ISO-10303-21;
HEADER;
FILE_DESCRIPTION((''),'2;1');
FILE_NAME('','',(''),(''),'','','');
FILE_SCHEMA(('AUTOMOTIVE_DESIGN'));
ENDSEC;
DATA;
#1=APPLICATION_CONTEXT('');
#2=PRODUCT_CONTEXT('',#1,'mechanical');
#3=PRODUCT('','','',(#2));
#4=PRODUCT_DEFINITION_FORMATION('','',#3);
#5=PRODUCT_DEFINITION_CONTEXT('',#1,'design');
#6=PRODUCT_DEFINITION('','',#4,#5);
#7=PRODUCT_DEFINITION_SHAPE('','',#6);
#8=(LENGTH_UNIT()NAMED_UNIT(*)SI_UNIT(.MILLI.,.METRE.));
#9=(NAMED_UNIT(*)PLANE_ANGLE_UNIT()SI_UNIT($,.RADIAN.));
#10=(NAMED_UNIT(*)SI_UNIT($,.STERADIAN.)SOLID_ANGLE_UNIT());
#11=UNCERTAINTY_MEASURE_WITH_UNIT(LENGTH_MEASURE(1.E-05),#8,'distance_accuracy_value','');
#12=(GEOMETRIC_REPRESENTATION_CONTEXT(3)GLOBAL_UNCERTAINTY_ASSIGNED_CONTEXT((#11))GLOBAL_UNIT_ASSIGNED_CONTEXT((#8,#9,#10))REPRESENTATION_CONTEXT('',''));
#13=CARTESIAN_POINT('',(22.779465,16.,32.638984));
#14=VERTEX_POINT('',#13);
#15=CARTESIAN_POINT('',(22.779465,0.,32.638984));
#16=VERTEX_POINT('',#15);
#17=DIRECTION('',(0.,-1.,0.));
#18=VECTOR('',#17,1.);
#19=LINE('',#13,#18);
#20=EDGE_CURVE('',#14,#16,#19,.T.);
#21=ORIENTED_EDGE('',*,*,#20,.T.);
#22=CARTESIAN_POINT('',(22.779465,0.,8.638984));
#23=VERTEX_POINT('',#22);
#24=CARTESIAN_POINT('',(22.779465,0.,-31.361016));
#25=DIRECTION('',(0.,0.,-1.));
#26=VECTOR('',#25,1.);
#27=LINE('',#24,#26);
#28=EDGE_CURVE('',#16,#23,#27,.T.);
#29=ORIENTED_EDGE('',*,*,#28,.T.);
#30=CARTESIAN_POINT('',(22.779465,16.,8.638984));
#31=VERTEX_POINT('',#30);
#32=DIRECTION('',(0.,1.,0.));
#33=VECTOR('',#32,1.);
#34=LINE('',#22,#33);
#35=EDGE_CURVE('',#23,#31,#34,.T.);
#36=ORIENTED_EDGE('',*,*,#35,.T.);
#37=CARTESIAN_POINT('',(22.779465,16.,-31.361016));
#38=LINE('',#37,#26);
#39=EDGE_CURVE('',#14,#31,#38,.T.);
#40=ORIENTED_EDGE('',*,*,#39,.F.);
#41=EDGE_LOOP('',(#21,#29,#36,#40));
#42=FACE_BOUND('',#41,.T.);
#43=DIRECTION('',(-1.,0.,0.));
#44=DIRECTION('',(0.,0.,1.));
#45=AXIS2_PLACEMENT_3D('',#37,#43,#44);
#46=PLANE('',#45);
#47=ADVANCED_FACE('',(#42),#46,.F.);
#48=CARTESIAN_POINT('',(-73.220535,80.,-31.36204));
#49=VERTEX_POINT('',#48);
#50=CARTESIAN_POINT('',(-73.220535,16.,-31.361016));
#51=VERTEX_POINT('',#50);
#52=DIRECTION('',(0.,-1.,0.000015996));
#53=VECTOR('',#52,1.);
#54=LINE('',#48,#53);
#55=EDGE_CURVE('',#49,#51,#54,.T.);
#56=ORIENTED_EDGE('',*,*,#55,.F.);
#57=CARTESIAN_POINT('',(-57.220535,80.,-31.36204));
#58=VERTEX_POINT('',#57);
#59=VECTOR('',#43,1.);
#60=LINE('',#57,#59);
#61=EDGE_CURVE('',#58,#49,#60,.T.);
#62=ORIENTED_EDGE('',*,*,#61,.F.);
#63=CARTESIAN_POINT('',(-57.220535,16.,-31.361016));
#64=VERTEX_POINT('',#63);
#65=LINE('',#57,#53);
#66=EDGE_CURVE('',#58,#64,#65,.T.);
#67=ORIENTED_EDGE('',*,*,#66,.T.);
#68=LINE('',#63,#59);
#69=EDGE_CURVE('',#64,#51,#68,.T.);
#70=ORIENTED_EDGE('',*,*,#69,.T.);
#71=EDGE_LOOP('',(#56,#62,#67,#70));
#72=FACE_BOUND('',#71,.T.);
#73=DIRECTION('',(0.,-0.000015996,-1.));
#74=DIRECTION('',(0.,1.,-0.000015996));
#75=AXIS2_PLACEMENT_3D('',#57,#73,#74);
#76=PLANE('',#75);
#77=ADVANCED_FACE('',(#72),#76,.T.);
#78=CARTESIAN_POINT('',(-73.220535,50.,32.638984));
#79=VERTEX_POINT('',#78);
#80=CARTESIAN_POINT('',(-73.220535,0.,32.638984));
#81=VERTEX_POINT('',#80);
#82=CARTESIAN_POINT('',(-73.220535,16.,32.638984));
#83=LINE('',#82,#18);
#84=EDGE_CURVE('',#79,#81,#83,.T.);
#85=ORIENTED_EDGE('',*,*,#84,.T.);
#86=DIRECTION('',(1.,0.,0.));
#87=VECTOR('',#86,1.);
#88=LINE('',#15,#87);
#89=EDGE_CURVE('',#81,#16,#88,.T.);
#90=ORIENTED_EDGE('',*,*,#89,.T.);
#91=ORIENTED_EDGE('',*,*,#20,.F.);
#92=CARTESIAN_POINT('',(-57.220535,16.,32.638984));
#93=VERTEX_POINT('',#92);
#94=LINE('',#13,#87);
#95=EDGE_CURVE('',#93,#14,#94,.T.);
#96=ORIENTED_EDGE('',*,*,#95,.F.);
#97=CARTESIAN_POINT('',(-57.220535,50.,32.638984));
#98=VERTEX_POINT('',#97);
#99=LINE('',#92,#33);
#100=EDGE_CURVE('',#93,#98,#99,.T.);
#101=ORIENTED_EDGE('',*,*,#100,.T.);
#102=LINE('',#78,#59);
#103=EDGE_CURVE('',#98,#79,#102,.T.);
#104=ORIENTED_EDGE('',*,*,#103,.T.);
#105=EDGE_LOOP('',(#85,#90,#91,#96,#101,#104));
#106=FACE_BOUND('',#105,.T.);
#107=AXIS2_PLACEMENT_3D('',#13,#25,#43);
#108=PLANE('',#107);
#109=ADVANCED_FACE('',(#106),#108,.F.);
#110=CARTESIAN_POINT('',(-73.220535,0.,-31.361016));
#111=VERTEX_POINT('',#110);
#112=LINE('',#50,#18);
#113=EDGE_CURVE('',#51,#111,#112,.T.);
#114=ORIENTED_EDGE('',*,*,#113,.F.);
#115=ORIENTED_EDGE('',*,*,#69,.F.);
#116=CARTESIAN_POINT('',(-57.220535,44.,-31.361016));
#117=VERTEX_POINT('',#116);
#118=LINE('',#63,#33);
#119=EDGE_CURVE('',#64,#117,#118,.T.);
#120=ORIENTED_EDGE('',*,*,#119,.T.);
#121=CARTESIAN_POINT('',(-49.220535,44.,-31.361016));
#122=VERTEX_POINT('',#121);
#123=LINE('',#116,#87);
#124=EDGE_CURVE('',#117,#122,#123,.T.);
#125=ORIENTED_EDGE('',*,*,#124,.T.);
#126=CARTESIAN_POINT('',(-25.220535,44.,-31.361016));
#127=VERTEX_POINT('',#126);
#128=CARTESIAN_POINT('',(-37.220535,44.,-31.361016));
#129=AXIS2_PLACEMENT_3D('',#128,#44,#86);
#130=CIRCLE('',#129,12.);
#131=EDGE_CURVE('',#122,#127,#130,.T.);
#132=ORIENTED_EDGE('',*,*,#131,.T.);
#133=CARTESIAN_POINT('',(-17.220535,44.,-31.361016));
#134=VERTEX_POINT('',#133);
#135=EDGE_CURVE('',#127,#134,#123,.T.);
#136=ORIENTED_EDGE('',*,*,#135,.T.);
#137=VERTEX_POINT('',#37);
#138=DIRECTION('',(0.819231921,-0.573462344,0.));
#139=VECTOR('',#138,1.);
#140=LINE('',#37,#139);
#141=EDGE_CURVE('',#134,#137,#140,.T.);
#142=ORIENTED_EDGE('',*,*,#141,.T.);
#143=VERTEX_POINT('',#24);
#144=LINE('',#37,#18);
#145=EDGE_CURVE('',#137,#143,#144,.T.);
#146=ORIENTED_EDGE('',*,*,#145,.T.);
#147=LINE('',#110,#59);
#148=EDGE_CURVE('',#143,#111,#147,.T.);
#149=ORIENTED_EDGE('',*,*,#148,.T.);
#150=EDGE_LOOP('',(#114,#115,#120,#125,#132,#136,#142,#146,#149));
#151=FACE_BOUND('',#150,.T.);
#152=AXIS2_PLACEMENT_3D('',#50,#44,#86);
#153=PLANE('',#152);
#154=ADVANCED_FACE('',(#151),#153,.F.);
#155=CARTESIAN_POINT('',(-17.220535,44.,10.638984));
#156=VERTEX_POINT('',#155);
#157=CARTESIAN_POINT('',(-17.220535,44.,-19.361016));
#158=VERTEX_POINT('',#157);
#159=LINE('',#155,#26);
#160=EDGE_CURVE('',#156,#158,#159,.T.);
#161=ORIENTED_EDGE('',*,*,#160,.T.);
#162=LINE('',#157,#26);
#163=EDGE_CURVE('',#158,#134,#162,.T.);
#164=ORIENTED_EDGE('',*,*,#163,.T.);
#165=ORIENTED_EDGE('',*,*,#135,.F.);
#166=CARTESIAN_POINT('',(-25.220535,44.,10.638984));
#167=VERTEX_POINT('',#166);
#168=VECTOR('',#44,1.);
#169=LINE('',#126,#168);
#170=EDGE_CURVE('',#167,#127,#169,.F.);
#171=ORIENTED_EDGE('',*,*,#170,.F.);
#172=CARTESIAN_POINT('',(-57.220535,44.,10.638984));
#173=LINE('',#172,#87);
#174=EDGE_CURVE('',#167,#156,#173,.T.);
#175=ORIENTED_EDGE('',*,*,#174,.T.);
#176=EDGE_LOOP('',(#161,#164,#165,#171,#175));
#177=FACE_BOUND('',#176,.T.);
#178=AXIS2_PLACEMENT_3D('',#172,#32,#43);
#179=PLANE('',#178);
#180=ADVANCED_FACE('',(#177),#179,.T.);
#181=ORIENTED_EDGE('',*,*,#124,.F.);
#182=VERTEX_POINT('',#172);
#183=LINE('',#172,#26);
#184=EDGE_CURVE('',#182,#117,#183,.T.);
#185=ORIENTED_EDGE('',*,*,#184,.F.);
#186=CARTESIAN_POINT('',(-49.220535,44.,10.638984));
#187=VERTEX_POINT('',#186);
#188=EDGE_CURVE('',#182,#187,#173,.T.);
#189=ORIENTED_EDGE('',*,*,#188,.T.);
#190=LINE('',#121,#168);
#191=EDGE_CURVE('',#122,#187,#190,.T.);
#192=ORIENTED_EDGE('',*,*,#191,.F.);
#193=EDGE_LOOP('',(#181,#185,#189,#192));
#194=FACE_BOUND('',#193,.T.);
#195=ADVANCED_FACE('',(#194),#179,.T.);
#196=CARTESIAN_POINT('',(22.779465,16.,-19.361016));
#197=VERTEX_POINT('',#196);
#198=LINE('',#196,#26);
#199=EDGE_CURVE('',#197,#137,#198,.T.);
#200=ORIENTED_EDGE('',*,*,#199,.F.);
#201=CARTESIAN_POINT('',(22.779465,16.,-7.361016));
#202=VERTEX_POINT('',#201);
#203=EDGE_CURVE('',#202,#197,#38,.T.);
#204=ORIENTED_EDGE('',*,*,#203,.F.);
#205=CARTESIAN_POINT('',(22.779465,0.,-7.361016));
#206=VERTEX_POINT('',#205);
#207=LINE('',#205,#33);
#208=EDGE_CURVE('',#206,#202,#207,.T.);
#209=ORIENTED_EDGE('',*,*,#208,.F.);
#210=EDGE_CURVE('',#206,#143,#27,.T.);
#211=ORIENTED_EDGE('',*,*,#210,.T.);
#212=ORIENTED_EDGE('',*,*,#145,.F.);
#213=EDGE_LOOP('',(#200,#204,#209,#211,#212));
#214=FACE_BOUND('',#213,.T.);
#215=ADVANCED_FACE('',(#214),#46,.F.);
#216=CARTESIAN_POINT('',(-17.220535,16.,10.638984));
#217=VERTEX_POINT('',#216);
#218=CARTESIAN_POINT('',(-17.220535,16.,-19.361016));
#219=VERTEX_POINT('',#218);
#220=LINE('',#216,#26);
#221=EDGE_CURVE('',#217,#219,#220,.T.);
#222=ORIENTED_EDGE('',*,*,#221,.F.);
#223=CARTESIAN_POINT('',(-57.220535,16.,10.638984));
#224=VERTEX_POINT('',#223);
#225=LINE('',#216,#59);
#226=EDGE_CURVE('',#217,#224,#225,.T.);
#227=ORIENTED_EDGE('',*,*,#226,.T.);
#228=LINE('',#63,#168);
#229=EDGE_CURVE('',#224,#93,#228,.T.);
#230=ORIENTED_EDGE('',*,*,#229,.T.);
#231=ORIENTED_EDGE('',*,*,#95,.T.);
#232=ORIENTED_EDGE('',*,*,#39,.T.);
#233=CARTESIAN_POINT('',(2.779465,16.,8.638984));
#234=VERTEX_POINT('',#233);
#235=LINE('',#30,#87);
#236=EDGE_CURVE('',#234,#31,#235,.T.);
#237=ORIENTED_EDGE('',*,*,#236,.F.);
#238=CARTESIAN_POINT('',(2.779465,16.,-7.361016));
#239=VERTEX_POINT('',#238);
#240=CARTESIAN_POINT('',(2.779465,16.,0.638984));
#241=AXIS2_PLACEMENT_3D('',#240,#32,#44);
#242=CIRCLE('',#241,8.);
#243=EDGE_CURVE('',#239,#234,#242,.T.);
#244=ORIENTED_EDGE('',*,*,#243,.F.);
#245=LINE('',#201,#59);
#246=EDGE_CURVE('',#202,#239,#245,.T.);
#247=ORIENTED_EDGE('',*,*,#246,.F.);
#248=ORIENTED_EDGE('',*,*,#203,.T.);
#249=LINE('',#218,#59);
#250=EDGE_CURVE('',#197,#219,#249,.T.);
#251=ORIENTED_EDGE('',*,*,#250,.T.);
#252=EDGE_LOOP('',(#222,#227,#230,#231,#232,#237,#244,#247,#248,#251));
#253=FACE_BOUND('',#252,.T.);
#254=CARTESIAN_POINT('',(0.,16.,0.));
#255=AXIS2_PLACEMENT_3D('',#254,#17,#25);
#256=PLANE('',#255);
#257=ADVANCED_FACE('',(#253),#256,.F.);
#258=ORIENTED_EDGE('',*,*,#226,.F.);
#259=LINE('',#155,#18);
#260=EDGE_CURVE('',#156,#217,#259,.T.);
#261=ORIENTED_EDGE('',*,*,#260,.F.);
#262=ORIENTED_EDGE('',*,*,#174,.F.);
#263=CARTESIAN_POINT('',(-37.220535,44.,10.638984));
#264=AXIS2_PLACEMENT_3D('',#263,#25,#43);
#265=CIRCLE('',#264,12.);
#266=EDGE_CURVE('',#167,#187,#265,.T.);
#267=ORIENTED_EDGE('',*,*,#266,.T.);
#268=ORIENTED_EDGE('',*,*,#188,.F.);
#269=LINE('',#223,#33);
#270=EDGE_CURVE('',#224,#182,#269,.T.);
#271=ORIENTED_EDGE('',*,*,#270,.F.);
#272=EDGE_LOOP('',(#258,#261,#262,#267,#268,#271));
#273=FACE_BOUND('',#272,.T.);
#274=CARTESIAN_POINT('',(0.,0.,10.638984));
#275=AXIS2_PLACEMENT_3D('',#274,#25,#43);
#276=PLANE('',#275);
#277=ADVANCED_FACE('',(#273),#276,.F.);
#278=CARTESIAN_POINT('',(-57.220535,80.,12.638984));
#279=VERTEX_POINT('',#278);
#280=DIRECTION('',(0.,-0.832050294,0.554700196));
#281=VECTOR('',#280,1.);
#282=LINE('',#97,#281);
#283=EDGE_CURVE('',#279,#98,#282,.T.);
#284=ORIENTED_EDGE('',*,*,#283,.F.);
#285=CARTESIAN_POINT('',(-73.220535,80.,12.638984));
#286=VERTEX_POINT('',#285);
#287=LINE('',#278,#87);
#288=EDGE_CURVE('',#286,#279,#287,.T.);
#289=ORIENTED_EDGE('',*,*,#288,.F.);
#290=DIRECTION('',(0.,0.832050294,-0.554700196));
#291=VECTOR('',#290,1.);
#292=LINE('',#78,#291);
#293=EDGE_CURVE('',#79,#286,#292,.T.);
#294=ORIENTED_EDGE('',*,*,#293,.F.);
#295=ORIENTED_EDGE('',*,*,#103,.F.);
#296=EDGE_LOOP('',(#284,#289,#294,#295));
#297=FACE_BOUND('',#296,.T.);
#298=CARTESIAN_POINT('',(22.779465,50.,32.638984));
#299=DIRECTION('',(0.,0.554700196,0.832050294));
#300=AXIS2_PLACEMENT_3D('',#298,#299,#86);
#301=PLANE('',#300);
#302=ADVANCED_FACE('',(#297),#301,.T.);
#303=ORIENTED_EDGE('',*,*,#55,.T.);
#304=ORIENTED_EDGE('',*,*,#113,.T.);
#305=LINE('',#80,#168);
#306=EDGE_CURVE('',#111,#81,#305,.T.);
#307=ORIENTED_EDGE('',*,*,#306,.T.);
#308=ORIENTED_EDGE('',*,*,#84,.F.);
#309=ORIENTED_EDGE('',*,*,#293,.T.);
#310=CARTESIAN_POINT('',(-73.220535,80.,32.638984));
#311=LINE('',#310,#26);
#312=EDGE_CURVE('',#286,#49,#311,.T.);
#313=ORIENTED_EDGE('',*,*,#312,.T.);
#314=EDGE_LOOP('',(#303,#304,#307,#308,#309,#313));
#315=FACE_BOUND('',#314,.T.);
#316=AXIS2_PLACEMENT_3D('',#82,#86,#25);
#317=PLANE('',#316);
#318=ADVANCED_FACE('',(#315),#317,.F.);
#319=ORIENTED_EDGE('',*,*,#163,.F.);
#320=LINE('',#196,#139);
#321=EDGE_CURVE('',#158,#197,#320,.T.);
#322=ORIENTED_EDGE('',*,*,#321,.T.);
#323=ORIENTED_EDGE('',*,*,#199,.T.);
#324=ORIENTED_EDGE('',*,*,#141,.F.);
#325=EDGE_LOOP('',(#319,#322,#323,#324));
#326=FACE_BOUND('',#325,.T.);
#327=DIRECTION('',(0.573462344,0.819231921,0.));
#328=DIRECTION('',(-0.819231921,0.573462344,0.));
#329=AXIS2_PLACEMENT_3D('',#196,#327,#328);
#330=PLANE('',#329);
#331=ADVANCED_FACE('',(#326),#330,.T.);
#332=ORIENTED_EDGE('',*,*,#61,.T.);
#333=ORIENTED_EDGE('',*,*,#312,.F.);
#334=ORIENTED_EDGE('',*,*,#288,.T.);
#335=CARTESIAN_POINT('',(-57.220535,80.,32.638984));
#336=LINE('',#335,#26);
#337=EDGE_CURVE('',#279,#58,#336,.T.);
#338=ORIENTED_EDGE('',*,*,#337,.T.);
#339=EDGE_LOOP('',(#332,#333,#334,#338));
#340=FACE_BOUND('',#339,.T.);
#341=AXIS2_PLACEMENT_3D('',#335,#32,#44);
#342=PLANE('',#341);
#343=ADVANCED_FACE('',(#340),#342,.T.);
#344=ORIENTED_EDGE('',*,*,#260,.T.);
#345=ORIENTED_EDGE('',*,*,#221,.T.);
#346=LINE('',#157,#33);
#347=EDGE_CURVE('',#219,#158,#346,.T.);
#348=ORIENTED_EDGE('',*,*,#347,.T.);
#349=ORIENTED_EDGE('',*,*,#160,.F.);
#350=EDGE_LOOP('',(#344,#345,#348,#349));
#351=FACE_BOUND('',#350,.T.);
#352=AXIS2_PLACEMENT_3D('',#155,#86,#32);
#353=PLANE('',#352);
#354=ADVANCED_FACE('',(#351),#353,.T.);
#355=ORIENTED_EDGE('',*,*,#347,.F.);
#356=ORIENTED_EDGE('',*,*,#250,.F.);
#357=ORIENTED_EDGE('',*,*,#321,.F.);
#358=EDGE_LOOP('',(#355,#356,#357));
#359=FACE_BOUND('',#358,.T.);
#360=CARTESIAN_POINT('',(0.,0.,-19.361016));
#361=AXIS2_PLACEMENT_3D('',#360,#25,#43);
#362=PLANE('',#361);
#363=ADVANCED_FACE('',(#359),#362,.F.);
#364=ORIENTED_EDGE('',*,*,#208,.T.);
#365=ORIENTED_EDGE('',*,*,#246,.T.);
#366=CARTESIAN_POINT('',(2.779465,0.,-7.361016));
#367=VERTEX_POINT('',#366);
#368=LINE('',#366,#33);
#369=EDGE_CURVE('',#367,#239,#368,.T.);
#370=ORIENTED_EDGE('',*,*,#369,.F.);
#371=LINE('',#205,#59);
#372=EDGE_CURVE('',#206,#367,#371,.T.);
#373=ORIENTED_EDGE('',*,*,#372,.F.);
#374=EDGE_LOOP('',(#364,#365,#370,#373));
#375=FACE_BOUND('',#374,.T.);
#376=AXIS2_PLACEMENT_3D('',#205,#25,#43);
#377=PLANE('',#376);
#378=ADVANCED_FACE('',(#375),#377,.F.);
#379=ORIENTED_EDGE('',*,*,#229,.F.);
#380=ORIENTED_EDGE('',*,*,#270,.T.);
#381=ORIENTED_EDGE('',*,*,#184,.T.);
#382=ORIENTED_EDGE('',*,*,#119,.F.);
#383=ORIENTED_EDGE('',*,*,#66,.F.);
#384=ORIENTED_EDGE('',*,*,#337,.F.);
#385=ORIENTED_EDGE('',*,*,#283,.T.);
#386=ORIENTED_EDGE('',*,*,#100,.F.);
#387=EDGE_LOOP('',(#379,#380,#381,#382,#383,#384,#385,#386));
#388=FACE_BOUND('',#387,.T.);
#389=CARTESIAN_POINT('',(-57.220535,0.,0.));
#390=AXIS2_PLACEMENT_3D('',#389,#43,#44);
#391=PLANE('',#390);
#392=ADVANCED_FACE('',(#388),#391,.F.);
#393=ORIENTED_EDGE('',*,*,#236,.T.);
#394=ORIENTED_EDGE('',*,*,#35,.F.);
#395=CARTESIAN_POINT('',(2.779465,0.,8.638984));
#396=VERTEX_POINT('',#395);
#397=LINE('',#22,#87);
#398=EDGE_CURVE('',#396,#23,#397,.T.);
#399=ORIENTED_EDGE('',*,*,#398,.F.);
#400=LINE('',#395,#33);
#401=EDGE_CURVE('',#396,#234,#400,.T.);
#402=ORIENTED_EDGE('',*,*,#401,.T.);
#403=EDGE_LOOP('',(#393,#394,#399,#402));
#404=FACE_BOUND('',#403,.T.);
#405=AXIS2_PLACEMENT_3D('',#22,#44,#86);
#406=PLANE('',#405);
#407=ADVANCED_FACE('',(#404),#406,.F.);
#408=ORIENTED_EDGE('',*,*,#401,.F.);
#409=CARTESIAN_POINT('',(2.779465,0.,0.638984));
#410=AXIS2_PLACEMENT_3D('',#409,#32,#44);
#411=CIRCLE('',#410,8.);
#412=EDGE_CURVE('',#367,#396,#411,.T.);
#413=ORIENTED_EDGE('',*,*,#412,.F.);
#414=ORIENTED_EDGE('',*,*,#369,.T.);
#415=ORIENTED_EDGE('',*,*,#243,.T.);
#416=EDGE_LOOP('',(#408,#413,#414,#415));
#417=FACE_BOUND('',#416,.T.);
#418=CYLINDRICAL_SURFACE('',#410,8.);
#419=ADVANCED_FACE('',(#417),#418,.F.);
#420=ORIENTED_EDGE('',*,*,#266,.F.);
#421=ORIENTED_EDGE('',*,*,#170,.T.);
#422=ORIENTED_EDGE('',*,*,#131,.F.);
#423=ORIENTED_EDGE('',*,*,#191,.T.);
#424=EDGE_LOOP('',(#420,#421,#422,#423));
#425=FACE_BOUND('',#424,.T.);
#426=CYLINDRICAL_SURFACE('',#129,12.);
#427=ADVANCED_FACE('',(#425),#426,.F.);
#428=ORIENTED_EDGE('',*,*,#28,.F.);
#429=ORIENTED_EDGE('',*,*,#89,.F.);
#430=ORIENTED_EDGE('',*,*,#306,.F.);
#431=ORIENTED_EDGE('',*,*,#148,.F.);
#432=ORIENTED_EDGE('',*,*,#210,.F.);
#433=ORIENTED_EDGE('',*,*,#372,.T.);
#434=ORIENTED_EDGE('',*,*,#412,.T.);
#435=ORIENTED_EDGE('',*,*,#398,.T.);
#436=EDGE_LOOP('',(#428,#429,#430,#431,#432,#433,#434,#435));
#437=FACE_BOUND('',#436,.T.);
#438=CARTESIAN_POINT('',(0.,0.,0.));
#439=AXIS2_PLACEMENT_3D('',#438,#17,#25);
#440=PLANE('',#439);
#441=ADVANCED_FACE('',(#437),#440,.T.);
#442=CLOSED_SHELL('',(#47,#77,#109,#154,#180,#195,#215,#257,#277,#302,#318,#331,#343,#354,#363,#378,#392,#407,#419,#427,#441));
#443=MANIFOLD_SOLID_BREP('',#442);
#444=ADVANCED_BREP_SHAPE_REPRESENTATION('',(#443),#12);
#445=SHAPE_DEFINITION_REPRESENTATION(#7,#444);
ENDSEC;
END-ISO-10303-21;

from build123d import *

# Parameters (mm, degrees)
SKETCH1_W           = 96
SKETCH1_H           = 64
BOSS_EXTRUDE1_DEPTH = 16
CUT_EXTRUDE1_DEPTH  = 16
BOSS_EXTRUDE2_DEPTH = 16
CHAMFER1_SIZE       = 20
CHAMFER1_SIZE2      = 30
SKETCH5_W           = 40
SKETCH5_H           = 28
BOSS_EXTRUDE3_DEPTH = 42
SKETCH6_R           = 12
CUT_EXTRUDE2_DEPTH  = 42
BOSS_EXTRUDE4_DEPTH = 12


with BuildPart() as part:
    # Sketch1 → Boss-Extrude1 (new body)
    with BuildSketch(Plane(origin=(0, 0, 0), x_dir=(1, 0, 0), z_dir=(0, 1, 0))):
        with Locations((-25.220534577, -0.638984057)):
            Rectangle(SKETCH1_W, SKETCH1_H)
    extrude(amount=BOSS_EXTRUDE1_DEPTH)

    # Sketch2 → Cut-Extrude1 (cut)
    with BuildSketch(Plane(origin=(0, 16, 0), x_dir=(1, 0, 0), z_dir=(0, 1, 0))):
        with BuildLine():
            Line((22.779465423, -8.638984057), (2.779465423, -8.638984057))
            ThreePointArc((2.779465423, -8.638984057), (-5.220534577, -0.638984057), (2.779465423, 7.361015943))
            Line((2.779465423, 7.361015943), (22.779465423, 7.361015943))
            ThreePointArc((22.779465423, 7.361015943), (30.779465423, -0.638984057), (22.779465423, -8.638984057))
        make_face()
    extrude(amount=-CUT_EXTRUDE1_DEPTH, mode=Mode.SUBTRACT)

    # Sketch3 → Boss-Extrude2 (add)
    with BuildSketch(Plane.ZY.offset(73.220534577)):
        Polygon((32.638984057, 16), (32.638984057, 80), (-31.362039682, 80), (-31.361015943, 16), align=None)
    extrude(amount=-BOSS_EXTRUDE2_DEPTH)

    # Chamfer1
    chamfer1_edges = [part.edges().sort_by_distance(p)[0] for p in [
        (-65.220534577, 80, 32.638984057),
    ]]
    chamfer1_side = [part.faces().sort_by_distance(p)[0] for p in [
        (-65.220534577, 80, 0.638472187),
    ]]
    chamfer(chamfer1_edges, length=CHAMFER1_SIZE, length2=CHAMFER1_SIZE2, reference=chamfer1_side[0])

    # Sketch5 → Boss-Extrude3 (add)
    with BuildSketch(Plane(origin=(0, 0, -31.361015943), x_dir=(-1, 0, 0), z_dir=(0, 0, -1))):
        with Locations((37.220534577, 30)):
            Rectangle(SKETCH5_W, SKETCH5_H)
    extrude(amount=-BOSS_EXTRUDE3_DEPTH)

    # Sketch6 → Cut-Extrude2 (cut)
    with BuildSketch(Plane.XY.offset(10.638984057)):
        with Locations((-37.220534577, 44)):
            Circle(SKETCH6_R)
    extrude(amount=-CUT_EXTRUDE2_DEPTH, mode=Mode.SUBTRACT)

    # Sketch7 → Boss-Extrude4 (add)
    with BuildSketch(Plane(origin=(0, 0, -31.361015943), x_dir=(-1, 0, 0), z_dir=(0, 0, -1))):
        Polygon((-22.779465423, 16), (17.220534577, 44), (17.220534577, 16), align=None)
    extrude(amount=-BOSS_EXTRUDE4_DEPTH)


solid = part.part
